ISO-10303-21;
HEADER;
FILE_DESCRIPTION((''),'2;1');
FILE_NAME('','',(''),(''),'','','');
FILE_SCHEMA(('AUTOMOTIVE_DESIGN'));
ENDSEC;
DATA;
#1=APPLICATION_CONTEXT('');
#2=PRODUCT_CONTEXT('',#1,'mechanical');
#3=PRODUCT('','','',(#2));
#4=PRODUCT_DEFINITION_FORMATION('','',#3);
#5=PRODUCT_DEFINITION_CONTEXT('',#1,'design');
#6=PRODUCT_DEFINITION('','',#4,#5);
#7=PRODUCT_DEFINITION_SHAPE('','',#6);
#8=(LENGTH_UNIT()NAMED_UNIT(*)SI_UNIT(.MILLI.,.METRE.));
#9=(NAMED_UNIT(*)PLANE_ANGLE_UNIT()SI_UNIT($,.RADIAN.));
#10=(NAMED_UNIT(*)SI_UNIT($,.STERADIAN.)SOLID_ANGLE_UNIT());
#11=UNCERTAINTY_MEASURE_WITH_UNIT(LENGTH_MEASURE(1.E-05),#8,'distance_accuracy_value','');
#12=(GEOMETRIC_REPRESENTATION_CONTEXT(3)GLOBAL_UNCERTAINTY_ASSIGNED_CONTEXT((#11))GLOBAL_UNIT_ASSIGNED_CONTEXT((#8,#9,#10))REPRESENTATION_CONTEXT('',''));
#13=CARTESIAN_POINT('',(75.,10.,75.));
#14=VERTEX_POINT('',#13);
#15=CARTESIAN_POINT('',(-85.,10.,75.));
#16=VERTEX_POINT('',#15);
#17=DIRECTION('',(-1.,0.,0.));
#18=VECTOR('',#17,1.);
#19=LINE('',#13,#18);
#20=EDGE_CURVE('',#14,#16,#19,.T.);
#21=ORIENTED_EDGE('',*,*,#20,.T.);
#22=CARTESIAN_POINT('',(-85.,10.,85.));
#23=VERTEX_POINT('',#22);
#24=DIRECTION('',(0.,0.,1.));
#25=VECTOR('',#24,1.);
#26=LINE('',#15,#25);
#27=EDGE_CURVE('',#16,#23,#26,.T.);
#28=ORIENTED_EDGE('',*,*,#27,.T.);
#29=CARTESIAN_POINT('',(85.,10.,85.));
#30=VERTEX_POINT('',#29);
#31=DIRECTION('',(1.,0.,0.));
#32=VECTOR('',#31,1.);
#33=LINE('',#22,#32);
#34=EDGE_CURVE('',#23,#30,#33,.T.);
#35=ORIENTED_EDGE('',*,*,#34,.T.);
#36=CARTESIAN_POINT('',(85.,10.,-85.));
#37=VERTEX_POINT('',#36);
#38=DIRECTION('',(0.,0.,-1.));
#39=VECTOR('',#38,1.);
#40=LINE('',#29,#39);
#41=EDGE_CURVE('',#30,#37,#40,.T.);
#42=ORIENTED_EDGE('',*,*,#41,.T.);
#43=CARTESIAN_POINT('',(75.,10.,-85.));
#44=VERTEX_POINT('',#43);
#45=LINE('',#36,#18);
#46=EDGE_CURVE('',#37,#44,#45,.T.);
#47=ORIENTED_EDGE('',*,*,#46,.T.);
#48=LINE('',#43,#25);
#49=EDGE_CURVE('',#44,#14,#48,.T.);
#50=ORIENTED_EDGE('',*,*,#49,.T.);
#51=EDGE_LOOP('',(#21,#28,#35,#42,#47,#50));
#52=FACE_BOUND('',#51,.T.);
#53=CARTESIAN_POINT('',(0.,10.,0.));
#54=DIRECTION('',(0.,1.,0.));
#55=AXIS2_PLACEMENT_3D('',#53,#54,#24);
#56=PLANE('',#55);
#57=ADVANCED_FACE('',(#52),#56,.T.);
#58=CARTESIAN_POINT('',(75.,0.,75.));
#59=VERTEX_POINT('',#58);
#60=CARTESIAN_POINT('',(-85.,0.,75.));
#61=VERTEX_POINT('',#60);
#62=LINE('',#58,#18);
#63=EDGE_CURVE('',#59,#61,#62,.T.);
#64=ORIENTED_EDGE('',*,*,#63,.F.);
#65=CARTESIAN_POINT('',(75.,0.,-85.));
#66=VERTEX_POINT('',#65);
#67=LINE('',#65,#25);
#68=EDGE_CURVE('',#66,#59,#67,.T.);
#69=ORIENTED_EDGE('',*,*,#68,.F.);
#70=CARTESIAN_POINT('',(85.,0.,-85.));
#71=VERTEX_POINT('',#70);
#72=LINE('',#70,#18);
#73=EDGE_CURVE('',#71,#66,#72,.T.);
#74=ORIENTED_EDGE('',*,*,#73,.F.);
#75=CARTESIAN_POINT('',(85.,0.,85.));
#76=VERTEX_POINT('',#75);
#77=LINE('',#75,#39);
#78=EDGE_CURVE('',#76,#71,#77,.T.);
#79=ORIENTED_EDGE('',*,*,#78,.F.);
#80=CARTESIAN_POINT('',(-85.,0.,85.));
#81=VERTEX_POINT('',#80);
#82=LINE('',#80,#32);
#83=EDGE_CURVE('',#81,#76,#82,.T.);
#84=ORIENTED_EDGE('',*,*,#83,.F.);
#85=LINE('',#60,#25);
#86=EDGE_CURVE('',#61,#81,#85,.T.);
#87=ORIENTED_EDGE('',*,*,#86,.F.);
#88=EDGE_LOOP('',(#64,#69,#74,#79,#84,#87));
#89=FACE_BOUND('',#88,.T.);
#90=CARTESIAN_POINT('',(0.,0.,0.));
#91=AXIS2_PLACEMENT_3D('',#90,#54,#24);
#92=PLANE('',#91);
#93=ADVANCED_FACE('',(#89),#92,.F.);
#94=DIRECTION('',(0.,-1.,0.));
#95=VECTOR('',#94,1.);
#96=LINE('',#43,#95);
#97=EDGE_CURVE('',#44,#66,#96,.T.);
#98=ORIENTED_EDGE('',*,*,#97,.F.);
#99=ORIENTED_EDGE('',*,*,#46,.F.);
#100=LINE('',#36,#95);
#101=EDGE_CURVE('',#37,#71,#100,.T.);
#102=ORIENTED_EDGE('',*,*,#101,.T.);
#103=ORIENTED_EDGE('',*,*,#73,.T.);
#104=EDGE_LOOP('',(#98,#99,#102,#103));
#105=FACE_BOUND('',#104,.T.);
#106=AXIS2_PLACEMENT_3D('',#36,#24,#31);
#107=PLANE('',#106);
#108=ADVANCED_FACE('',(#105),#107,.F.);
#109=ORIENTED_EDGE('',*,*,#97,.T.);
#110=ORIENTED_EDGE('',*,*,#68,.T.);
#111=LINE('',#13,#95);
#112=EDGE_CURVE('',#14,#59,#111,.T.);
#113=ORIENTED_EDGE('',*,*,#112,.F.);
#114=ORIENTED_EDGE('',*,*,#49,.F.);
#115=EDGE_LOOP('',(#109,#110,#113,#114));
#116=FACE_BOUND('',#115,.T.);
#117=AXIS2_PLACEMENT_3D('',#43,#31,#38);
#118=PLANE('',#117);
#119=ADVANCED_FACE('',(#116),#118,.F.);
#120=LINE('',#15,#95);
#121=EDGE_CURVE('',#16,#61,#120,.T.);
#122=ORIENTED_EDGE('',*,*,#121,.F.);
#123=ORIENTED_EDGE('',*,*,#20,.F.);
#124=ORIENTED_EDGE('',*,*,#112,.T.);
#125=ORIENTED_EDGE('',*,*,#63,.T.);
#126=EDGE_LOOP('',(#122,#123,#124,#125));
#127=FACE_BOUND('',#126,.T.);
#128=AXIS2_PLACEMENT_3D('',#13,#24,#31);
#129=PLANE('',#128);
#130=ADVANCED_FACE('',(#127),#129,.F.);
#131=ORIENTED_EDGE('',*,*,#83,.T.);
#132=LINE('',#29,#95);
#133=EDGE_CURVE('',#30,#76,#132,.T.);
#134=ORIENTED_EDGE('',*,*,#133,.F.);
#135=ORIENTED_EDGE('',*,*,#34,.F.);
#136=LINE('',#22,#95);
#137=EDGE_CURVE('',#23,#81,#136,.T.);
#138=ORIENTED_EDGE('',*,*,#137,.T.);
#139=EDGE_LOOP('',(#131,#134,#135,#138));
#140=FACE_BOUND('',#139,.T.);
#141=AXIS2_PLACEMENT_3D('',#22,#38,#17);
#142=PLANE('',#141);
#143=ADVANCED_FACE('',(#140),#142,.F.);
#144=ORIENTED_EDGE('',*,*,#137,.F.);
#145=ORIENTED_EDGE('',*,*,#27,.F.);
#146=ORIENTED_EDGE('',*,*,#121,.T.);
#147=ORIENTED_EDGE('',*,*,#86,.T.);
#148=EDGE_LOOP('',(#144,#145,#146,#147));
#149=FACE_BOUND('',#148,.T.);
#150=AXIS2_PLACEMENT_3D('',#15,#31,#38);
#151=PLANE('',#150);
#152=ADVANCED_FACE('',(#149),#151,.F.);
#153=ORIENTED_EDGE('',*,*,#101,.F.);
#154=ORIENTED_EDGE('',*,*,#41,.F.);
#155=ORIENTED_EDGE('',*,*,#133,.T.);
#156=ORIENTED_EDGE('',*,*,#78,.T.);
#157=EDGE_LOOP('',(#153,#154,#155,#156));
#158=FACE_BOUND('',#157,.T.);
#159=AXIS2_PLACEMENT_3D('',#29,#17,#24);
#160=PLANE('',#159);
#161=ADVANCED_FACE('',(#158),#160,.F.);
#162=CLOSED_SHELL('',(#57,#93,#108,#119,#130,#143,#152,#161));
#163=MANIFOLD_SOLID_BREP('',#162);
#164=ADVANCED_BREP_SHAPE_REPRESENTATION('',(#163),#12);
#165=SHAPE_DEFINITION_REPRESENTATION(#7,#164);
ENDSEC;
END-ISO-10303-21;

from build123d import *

# Parameters (mm, degrees)
BOSS_EXTRUDE1_DEPTH = 10


with BuildPart() as part:
    # Sketch1 → Boss-Extrude1 (new body)
    with BuildSketch(Plane(origin=(0, 0, 0), x_dir=(1, 0, 0), z_dir=(0, 1, 0))):
        Polygon((-85, -85), (85, -85), (85, 85), (75, 85), (75, -75), (-85, -75), align=None)
    extrude(amount=BOSS_EXTRUDE1_DEPTH)


solid = part.part
